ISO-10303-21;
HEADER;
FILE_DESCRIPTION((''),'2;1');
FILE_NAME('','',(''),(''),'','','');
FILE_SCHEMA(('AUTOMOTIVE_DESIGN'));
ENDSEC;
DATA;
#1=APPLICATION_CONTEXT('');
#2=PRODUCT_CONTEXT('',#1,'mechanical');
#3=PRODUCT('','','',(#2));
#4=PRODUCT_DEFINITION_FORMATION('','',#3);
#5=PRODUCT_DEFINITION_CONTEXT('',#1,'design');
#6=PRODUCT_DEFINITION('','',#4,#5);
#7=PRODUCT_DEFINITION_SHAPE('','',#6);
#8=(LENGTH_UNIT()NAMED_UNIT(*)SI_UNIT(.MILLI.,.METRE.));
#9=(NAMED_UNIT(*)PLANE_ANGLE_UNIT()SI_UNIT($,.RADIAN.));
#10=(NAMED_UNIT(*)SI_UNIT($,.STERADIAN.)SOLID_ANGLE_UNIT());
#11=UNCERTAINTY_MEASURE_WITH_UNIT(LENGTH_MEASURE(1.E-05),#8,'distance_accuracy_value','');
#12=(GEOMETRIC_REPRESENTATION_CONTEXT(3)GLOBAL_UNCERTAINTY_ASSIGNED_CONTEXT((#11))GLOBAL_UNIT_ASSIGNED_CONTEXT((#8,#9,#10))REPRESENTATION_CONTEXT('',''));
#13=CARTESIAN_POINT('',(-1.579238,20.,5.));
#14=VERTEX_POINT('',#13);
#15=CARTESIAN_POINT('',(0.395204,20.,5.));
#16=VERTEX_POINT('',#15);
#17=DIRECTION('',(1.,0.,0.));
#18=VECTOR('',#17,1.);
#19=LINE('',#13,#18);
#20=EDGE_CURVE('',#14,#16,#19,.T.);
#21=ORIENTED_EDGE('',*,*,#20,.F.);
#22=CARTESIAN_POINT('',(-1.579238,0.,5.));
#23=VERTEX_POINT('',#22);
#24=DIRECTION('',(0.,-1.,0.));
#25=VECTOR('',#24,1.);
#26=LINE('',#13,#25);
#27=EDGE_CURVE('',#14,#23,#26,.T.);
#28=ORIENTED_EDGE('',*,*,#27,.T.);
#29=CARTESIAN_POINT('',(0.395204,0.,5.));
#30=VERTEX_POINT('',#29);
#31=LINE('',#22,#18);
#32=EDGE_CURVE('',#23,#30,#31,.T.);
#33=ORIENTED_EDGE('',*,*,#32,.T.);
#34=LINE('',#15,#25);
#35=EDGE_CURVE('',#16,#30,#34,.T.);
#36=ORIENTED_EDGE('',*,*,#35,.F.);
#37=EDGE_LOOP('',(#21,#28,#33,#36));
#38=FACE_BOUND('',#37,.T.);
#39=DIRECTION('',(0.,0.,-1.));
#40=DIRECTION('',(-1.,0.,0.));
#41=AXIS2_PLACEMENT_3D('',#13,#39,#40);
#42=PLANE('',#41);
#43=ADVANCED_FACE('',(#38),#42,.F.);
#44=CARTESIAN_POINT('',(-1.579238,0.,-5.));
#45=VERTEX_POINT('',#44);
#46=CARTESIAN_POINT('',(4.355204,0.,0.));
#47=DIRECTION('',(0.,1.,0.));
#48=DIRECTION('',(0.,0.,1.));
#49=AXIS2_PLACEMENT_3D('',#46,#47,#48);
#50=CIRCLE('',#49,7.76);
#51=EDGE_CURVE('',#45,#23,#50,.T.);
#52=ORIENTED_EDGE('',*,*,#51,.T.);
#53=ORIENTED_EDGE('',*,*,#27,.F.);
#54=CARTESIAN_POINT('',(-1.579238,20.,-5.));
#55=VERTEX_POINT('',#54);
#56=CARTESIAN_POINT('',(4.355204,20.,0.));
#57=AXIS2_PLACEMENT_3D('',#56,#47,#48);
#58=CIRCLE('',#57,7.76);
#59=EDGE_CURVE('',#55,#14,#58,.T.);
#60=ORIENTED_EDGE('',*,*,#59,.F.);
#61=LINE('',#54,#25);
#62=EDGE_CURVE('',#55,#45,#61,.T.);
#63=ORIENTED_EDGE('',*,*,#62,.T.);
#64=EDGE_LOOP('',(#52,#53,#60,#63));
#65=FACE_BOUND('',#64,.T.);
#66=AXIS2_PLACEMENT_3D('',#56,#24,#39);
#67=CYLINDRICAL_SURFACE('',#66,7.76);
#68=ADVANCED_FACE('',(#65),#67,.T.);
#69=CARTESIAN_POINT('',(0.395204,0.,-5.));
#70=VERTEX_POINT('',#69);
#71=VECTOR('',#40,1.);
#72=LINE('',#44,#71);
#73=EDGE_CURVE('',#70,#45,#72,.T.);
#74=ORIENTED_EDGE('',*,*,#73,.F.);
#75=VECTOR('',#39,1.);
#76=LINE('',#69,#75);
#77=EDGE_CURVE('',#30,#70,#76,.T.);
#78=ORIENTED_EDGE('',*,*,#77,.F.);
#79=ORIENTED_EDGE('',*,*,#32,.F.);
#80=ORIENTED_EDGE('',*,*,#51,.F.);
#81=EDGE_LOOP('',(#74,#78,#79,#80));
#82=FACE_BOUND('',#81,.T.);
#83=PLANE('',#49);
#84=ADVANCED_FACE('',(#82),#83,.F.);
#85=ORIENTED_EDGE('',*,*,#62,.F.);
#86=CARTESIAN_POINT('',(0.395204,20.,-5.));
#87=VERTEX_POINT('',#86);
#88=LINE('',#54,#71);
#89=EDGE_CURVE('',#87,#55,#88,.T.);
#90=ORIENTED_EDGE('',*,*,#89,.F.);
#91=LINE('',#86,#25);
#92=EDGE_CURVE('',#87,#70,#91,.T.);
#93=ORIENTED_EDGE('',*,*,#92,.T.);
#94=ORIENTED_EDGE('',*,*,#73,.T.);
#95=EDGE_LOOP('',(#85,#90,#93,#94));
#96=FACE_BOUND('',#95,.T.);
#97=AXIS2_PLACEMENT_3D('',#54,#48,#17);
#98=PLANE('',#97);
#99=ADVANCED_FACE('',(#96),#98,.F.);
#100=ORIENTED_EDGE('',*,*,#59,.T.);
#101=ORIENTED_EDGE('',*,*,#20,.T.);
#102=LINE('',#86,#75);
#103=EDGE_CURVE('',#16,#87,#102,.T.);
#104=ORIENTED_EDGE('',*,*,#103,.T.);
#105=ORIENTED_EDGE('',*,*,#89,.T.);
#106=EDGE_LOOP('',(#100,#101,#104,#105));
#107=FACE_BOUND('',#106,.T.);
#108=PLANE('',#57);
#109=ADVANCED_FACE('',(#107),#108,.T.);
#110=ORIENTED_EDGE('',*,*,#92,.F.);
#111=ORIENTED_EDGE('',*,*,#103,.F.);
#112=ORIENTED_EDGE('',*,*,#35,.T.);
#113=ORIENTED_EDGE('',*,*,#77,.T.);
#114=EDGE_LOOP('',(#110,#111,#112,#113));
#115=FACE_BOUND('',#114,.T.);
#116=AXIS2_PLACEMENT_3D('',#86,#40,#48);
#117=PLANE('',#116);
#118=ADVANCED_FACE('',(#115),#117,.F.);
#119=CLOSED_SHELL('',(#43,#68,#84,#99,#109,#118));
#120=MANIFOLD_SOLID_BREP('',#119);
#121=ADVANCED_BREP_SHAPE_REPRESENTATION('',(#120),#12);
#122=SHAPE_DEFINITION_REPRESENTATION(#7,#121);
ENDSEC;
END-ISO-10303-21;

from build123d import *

# Parameters (mm, degrees)
EXTRUDE_1_DEPTH = 20


with BuildPart() as part:
    # 草图1 → 凸台-拉伸1 (new body)
    with BuildSketch(Plane(origin=(0, 0, 0), x_dir=(1, 0, 0), z_dir=(0, 1, 0))):
        with BuildLine():
            Line((-1.579237509, 5), (0.395204335, 5))
            Line((0.395204335, 5), (0.395204335, -5))
            Line((0.395204335, -5), (-1.579237509, -5))
            ThreePointArc((-1.579237509, -5), (-3.404795665, 0), (-1.579237509, 5))
        make_face()
    extrude(amount=EXTRUDE_1_DEPTH)


solid = part.part
